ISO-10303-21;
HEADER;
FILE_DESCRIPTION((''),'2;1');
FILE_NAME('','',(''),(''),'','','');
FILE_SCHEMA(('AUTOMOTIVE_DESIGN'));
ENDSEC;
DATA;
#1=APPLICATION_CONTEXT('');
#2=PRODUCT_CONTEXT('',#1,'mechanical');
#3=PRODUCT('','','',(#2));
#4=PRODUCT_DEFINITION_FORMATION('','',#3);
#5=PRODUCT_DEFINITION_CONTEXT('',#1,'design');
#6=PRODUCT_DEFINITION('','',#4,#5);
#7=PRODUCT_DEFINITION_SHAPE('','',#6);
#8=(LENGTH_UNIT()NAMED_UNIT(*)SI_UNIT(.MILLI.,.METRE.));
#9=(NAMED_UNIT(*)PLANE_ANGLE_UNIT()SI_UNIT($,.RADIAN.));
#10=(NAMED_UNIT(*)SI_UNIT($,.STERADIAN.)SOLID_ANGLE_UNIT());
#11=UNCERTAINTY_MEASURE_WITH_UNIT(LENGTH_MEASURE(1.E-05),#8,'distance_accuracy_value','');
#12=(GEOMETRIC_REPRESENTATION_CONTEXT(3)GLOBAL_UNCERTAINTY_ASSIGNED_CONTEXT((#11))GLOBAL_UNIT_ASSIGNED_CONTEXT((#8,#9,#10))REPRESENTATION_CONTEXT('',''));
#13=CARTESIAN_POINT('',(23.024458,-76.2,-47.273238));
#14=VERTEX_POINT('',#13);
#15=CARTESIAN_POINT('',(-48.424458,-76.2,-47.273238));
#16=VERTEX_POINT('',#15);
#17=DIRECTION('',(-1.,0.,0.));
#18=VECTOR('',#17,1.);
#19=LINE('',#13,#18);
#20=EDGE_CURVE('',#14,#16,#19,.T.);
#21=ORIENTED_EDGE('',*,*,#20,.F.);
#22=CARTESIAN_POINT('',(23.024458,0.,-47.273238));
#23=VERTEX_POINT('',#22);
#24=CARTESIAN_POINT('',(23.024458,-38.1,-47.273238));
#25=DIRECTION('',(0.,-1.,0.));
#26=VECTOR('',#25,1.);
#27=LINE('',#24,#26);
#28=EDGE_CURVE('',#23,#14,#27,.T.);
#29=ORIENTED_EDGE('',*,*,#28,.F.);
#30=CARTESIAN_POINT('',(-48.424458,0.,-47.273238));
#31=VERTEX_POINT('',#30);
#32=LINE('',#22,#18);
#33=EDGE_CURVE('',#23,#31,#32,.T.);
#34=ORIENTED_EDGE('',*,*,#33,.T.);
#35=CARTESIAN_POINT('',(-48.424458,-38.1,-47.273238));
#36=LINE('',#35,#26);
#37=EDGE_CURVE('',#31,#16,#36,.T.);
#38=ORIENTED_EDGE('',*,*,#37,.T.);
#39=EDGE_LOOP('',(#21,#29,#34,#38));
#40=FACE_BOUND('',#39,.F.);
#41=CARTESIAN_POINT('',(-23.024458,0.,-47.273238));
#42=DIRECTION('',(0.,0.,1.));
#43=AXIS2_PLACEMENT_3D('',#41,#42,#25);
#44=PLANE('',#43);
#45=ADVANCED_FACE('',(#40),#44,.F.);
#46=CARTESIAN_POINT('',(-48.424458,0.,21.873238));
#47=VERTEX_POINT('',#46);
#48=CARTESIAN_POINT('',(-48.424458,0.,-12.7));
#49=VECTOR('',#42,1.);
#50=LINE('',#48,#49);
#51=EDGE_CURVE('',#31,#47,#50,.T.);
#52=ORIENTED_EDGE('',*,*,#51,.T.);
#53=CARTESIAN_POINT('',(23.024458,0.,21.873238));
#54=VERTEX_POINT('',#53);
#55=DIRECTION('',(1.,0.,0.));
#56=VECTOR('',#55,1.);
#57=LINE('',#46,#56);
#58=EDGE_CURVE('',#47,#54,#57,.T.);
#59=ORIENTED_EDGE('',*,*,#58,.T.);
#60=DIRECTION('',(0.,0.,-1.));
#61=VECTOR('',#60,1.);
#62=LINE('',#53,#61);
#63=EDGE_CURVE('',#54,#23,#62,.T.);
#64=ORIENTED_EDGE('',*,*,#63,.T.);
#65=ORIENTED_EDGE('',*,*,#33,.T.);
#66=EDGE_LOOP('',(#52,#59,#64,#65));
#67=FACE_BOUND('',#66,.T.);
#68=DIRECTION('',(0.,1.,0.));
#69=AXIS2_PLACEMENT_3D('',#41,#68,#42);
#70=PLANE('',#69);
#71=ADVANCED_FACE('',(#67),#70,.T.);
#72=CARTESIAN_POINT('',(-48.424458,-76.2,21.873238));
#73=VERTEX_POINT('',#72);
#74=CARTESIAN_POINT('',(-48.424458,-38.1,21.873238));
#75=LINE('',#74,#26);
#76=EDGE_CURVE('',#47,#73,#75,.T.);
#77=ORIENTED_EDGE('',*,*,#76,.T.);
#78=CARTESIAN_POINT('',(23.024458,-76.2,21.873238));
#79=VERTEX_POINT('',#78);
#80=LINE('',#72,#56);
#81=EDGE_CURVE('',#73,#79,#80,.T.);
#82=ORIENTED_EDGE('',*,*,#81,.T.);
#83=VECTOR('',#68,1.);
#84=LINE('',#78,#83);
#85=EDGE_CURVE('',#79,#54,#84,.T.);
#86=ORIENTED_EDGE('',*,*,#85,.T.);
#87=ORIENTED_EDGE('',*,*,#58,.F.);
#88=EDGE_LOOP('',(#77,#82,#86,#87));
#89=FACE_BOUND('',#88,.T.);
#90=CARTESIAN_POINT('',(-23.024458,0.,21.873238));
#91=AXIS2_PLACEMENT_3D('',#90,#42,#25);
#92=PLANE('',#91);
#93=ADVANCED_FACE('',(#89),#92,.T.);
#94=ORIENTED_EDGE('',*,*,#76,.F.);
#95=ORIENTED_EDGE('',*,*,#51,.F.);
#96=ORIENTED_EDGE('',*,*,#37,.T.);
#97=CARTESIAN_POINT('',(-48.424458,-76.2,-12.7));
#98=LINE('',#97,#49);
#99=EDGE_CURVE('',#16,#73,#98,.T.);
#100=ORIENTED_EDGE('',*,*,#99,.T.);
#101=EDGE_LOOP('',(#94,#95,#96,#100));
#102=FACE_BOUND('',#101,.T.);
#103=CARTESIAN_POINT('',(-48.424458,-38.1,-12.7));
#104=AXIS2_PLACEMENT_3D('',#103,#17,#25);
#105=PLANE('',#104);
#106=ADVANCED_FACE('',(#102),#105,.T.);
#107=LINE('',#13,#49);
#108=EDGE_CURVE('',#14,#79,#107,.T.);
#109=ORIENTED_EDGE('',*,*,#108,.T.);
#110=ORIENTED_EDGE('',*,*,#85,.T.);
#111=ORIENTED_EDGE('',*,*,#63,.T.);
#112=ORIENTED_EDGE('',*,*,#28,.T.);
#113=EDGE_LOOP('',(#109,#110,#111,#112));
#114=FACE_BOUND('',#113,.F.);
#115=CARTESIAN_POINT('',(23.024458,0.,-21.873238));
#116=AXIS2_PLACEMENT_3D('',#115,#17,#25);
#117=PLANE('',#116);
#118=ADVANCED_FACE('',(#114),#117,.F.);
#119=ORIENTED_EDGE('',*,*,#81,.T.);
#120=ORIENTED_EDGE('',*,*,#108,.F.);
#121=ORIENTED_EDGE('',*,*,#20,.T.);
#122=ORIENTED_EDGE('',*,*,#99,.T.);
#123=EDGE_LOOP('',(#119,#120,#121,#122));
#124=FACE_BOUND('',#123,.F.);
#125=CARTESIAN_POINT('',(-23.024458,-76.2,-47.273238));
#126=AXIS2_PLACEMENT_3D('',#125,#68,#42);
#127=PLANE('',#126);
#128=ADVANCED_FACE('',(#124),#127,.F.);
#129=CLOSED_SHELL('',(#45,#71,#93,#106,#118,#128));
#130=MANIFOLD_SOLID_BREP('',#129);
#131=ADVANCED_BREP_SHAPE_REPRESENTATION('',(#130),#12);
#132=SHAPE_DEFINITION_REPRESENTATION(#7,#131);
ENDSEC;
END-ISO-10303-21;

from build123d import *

# Parameters (mm, degrees)
F0_W      = 46.048916
F0_H      = 43.746476
F1_DEPTH  = 50.8
F1_FACE_W = 46.048916
F1_FACE_H = 43.746476
F2_DEPTH  = 25.4
F2_FACE_W = 46.048916
F2_FACE_H = 76.2
F3_DEPTH  = 25.4
F3_FACE_W = 76.2
F3_FACE_H = 69.146476
F4_DEPTH  = 25.4


with BuildPart() as f1:
    # F0 (on Front) → F1 (new body)
    with BuildSketch(Plane.XZ):
        Rectangle(F0_W, F0_H)
    extrude(amount=F1_DEPTH)

    # F1_face (on face) → F2 (join)
    with BuildSketch(Plane.XZ.offset(50.8)):
        Rectangle(F1_FACE_W, F1_FACE_H)
    extrude(amount=F2_DEPTH)

    # F2_face (on face) → F3 (join)
    with BuildSketch(Plane(origin=(0, -38.1, -21.873238), x_dir=(1, 0, 0), z_dir=(0, 0, -1))):
        Rectangle(F2_FACE_W, F2_FACE_H)
    extrude(amount=F3_DEPTH)

    # F3_face (on face) → F4 (join)
    with BuildSketch(Plane(origin=(-23.024458, -38.1, -12.7), x_dir=(0, -1, 0), z_dir=(-1, 0, 0))):
        Rectangle(F3_FACE_W, F3_FACE_H)
    extrude(amount=F4_DEPTH)


solid = f1.part
